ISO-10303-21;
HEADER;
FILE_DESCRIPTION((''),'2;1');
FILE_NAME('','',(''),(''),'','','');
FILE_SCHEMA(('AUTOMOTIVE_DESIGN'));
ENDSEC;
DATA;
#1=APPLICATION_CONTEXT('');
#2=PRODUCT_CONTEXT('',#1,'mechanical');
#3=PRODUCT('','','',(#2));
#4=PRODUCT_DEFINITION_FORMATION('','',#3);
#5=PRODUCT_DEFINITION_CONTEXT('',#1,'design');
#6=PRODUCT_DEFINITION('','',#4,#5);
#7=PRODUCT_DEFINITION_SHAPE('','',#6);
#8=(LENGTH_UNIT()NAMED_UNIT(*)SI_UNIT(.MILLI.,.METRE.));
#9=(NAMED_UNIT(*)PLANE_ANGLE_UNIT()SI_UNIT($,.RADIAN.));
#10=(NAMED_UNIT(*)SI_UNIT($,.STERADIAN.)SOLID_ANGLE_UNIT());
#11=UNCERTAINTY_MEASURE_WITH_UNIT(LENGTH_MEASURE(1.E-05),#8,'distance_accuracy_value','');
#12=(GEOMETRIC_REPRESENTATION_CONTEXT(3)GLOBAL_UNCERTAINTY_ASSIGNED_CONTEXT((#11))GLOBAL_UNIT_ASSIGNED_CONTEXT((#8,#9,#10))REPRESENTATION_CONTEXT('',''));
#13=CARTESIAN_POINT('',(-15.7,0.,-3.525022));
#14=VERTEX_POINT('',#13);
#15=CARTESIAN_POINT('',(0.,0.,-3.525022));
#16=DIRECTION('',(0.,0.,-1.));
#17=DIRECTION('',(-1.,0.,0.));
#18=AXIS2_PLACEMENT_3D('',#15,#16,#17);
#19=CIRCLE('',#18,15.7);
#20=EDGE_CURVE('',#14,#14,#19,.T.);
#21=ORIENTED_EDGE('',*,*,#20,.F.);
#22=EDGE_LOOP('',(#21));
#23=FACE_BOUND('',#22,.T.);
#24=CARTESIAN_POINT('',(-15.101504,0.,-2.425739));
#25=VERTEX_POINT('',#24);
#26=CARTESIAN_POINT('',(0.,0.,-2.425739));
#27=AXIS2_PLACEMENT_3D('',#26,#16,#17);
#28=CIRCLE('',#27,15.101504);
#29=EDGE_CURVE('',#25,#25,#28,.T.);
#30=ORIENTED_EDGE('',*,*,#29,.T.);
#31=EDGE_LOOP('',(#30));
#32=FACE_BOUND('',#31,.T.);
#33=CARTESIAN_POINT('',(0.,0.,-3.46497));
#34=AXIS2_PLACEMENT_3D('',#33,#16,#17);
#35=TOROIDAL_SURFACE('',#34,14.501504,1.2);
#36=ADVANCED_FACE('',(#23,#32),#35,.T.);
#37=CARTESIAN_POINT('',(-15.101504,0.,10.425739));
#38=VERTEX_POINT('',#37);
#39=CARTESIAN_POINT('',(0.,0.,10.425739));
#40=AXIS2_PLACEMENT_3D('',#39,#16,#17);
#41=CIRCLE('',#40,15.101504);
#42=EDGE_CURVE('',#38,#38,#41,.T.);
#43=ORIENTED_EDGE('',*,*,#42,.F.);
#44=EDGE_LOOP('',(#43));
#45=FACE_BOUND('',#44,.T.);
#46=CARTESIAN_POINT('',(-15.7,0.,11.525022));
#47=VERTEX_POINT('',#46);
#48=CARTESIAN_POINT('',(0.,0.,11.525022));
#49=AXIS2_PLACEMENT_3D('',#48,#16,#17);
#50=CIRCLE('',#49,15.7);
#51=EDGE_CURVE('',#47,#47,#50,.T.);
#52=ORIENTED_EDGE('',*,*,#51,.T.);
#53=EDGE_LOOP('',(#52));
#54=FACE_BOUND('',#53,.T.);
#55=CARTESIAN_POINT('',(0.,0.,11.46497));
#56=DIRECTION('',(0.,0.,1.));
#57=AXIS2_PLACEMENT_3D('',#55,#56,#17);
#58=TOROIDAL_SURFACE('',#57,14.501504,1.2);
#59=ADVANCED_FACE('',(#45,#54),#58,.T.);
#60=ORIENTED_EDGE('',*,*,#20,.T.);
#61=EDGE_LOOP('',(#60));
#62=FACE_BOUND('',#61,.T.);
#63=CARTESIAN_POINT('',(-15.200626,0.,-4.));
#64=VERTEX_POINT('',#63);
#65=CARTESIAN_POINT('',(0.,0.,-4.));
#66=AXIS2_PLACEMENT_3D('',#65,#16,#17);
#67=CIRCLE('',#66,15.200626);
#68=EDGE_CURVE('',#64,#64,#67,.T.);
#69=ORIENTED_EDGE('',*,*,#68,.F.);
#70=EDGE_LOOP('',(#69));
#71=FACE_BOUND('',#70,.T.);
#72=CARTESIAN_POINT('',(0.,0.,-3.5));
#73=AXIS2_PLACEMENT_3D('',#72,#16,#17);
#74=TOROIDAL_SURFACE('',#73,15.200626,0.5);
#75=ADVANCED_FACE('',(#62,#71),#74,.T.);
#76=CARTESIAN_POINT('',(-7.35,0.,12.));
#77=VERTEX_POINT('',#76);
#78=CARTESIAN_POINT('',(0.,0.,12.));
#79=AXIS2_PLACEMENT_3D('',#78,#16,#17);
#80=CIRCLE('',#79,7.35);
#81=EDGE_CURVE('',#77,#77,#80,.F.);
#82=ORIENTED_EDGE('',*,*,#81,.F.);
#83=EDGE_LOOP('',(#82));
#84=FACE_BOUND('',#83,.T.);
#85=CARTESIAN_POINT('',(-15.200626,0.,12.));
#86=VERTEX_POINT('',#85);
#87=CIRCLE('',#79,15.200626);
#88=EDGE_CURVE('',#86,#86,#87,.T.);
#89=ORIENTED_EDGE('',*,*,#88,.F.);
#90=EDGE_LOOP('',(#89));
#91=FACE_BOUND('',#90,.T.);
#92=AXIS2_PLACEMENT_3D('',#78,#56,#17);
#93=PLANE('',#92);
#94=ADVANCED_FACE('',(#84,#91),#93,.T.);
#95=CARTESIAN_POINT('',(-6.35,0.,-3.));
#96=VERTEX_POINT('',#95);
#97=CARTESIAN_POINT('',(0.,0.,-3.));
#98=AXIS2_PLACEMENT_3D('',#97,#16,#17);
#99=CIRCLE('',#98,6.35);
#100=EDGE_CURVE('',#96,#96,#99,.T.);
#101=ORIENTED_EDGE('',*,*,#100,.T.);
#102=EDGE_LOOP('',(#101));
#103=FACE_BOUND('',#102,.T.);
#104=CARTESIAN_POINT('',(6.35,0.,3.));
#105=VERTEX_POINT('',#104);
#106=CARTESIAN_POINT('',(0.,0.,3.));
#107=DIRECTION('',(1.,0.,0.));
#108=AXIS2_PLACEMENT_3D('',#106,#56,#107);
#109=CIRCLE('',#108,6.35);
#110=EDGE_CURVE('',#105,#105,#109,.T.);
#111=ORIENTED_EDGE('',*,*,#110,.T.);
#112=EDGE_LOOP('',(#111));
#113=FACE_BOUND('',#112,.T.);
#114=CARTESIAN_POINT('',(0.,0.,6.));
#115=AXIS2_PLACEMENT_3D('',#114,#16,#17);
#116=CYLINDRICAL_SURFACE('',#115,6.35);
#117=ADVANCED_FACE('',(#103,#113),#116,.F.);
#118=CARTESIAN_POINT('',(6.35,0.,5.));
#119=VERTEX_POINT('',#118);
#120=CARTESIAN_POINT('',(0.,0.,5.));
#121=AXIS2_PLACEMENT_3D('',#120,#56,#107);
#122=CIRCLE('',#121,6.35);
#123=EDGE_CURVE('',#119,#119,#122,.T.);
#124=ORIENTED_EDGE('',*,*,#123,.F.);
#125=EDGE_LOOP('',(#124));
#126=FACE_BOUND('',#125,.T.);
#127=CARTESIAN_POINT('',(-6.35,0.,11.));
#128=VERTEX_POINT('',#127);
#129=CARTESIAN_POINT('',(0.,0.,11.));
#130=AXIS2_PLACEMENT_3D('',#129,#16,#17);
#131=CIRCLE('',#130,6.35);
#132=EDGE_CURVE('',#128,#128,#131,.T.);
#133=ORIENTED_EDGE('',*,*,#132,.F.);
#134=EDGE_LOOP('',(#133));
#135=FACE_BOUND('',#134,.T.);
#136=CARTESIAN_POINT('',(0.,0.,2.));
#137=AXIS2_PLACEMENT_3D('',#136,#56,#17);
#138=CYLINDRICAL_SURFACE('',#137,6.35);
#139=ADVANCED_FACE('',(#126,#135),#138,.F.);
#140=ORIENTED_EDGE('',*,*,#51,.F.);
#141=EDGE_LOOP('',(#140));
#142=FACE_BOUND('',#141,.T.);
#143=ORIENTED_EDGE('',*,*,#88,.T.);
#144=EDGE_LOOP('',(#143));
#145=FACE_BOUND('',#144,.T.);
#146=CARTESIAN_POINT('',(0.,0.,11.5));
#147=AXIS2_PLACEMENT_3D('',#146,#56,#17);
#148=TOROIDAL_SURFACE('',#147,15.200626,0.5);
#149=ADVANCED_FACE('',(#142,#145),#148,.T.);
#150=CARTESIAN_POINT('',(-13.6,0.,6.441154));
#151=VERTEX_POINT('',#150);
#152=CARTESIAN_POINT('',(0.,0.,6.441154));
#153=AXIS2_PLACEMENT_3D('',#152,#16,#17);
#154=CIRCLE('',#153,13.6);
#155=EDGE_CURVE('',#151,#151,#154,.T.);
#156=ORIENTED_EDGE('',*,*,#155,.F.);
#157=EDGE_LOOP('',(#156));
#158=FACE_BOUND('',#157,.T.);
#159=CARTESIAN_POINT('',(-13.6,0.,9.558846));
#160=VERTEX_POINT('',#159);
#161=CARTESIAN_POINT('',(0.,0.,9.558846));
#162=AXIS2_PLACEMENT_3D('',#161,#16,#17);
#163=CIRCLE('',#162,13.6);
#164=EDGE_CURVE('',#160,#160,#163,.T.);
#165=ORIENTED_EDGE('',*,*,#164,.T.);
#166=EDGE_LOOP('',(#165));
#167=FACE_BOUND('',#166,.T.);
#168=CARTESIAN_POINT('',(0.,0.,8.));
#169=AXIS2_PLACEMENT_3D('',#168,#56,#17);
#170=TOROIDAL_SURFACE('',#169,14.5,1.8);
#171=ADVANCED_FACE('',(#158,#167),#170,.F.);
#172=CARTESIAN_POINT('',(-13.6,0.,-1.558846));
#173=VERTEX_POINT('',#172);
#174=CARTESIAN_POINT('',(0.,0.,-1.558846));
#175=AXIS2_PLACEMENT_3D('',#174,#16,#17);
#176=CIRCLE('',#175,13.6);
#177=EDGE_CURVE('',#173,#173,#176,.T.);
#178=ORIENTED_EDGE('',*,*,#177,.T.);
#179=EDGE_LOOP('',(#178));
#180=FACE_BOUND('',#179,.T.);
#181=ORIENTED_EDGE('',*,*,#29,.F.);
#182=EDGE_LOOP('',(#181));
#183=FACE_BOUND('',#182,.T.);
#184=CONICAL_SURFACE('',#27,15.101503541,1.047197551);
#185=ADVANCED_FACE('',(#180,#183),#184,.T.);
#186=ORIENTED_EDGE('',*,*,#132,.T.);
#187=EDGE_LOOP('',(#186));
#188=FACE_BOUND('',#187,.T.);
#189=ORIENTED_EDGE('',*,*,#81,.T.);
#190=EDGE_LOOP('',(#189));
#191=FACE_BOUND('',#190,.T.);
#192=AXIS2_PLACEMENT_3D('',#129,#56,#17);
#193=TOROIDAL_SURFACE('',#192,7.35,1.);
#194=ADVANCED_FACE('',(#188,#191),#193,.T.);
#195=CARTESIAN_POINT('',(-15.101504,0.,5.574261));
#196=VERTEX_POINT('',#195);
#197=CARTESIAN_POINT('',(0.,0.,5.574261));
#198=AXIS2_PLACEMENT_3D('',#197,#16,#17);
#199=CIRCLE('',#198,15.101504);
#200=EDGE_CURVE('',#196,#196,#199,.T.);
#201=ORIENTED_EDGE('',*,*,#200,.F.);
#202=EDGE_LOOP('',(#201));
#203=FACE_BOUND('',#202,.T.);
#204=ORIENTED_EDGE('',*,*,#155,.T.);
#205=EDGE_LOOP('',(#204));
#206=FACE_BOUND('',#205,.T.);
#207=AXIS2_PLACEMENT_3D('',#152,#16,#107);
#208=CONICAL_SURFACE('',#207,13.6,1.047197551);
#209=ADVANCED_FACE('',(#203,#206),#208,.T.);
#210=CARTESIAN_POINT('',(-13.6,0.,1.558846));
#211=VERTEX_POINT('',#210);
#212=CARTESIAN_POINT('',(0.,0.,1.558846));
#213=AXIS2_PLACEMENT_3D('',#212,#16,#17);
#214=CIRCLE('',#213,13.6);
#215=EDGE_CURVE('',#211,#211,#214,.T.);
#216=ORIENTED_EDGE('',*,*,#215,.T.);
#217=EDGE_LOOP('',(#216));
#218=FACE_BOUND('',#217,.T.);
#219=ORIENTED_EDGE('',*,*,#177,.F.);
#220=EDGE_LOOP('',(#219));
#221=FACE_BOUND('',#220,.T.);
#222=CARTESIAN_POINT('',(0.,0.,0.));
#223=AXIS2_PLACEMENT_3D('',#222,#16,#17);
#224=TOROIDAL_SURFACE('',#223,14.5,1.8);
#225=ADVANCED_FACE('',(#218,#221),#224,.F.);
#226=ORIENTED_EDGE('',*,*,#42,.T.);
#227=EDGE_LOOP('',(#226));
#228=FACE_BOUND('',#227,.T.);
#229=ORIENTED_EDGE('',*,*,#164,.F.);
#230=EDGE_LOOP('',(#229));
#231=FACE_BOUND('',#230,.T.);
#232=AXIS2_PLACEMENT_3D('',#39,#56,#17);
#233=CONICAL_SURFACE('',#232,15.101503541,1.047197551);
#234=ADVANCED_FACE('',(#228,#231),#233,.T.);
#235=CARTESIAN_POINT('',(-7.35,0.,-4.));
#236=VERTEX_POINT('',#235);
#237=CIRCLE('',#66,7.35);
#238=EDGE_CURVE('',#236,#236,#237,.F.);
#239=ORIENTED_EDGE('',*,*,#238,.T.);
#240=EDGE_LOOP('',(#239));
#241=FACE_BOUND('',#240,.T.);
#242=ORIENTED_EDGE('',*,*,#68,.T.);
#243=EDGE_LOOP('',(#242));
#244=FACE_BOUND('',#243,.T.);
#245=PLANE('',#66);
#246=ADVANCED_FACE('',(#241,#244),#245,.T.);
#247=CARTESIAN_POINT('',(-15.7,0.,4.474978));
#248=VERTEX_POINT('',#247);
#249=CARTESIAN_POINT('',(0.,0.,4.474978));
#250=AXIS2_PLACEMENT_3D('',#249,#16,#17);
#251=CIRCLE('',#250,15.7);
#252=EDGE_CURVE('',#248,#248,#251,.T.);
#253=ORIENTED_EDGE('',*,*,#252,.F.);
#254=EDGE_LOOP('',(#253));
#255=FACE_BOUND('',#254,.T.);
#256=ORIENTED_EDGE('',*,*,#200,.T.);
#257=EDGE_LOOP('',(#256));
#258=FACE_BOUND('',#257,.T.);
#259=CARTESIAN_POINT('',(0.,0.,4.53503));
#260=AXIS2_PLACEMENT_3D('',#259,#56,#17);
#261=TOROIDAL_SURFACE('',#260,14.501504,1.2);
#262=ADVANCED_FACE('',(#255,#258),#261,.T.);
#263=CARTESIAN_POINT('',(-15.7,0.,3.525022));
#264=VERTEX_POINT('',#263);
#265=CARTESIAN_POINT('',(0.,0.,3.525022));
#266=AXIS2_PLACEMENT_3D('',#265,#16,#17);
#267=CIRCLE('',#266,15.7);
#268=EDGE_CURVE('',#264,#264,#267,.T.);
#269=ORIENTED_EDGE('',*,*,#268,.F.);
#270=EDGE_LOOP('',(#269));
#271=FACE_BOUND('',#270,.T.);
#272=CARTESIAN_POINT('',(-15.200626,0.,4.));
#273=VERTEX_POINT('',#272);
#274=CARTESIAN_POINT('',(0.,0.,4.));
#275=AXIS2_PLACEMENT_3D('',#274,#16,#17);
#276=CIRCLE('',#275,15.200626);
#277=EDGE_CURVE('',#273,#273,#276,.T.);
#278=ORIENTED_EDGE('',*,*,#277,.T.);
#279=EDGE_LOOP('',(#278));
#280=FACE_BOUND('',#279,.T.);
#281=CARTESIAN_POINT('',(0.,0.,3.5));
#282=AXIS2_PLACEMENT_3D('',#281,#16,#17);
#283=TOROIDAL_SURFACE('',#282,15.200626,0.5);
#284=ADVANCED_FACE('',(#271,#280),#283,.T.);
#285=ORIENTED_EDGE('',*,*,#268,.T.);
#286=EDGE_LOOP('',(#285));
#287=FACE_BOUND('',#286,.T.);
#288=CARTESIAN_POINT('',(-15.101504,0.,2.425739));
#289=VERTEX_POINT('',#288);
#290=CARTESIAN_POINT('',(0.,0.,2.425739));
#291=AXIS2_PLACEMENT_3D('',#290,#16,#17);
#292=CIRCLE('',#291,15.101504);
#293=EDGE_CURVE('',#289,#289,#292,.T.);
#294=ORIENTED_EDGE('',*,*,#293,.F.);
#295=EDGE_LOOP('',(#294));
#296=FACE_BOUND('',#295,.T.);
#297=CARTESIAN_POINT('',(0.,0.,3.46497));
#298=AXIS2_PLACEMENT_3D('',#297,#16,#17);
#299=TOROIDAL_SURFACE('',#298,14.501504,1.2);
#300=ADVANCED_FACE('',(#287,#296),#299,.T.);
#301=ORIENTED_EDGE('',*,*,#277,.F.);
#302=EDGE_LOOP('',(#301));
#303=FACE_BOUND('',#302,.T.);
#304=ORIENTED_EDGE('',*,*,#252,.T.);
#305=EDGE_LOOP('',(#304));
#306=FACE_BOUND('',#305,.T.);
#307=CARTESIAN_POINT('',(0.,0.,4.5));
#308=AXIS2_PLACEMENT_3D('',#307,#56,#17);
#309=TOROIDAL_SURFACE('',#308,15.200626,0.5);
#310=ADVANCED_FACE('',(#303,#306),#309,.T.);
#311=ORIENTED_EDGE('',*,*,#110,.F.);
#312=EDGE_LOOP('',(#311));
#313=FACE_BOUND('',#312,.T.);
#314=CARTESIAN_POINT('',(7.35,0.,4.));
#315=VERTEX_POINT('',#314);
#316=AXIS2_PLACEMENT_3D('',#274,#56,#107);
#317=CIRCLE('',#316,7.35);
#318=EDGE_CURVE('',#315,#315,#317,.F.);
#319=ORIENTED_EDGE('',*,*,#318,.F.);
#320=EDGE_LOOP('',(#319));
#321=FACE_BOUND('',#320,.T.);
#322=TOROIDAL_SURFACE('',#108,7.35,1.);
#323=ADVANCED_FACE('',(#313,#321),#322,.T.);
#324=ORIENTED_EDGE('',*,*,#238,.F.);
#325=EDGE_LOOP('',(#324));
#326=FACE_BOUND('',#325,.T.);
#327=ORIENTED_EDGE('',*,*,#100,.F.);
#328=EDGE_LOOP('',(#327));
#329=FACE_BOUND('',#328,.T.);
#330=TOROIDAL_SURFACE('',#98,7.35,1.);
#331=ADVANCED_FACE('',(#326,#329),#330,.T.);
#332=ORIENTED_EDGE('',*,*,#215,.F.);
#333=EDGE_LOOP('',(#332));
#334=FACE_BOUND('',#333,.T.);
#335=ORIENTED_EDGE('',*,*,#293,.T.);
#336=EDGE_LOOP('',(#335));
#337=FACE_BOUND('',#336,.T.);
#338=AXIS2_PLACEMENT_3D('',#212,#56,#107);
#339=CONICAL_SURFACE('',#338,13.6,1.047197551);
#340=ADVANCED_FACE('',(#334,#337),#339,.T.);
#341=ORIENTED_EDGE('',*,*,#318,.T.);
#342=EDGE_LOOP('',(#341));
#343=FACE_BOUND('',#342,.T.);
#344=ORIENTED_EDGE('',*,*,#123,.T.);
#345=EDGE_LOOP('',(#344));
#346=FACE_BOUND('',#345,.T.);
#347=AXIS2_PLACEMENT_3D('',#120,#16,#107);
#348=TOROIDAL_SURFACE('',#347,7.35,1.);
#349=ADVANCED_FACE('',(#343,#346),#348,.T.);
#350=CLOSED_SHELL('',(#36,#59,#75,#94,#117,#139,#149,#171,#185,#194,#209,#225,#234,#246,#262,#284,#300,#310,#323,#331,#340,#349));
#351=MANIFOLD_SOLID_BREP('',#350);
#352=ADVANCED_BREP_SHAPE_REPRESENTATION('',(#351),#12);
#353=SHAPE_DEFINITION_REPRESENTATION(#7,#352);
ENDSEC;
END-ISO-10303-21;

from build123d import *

# Parameters (mm, degrees)
SKETCH4_R          = 6.35
CUT_EXTRUDE1_DEPTH = 10
FILLET1_R          = 1


with BuildPart() as part:
    # Sketch1 → Revolve1 (revolve)
    with BuildSketch(Plane(origin=(0, 0, 0), x_dir=(0, 0, -1), z_dir=(1, 0, 0))):
        with BuildLine():
            Line((-4, 0), (-4, 15.200626476))
            ThreePointArc((-4, 15.200626476), (-3.86229189, 15.54521984), (-3.525021653, 15.7))
            ThreePointArc((-3.525021653, 15.7), (-2.891169071, 15.555426146), (-2.425739201, 15.101503541))
            Line((-2.425739201, 15.101503541), (-1.558845727, 13.6))
            ThreePointArc((-1.558845727, 13.6), (0, 12.7), (1.558845727, 13.6))
            Line((1.558845727, 13.6), (2.425739201, 15.101503541))
            ThreePointArc((2.425739201, 15.101503541), (2.891169071, 15.555426146), (3.525021653, 15.7))
            ThreePointArc((3.525021653, 15.7), (3.86229189, 15.54521984), (4, 15.200626476))
            Line((4, 15.200626476), (4, 0))
            Line((4, 0), (-4, 0))
        make_face()
    revolve(axis=Axis((0, 0, 0), (0, 0, 1)))

    # Sketch4 → Cut-Extrude1 (cut)
    with BuildSketch(Plane(origin=(0, 0, -4), x_dir=(-1, 0, 0), z_dir=(0, 0, -1))):
        Circle(SKETCH4_R)
    extrude(amount=-CUT_EXTRUDE1_DEPTH, mode=Mode.SUBTRACT)

    # Fillet1
    fillet1_edges = [part.edges().sort_by_distance(p)[0] for p in [
        (6.35, 0, 4),
        (6.35, 0, -4),
    ]]
    fillet(fillet1_edges, radius=FILLET1_R)

    # Mirror1: part across plane


with BuildPart() as part_1:
    add(part.part)
    add(part.part.mirror(Plane.XY.offset(4)))


solid = part_1.part
